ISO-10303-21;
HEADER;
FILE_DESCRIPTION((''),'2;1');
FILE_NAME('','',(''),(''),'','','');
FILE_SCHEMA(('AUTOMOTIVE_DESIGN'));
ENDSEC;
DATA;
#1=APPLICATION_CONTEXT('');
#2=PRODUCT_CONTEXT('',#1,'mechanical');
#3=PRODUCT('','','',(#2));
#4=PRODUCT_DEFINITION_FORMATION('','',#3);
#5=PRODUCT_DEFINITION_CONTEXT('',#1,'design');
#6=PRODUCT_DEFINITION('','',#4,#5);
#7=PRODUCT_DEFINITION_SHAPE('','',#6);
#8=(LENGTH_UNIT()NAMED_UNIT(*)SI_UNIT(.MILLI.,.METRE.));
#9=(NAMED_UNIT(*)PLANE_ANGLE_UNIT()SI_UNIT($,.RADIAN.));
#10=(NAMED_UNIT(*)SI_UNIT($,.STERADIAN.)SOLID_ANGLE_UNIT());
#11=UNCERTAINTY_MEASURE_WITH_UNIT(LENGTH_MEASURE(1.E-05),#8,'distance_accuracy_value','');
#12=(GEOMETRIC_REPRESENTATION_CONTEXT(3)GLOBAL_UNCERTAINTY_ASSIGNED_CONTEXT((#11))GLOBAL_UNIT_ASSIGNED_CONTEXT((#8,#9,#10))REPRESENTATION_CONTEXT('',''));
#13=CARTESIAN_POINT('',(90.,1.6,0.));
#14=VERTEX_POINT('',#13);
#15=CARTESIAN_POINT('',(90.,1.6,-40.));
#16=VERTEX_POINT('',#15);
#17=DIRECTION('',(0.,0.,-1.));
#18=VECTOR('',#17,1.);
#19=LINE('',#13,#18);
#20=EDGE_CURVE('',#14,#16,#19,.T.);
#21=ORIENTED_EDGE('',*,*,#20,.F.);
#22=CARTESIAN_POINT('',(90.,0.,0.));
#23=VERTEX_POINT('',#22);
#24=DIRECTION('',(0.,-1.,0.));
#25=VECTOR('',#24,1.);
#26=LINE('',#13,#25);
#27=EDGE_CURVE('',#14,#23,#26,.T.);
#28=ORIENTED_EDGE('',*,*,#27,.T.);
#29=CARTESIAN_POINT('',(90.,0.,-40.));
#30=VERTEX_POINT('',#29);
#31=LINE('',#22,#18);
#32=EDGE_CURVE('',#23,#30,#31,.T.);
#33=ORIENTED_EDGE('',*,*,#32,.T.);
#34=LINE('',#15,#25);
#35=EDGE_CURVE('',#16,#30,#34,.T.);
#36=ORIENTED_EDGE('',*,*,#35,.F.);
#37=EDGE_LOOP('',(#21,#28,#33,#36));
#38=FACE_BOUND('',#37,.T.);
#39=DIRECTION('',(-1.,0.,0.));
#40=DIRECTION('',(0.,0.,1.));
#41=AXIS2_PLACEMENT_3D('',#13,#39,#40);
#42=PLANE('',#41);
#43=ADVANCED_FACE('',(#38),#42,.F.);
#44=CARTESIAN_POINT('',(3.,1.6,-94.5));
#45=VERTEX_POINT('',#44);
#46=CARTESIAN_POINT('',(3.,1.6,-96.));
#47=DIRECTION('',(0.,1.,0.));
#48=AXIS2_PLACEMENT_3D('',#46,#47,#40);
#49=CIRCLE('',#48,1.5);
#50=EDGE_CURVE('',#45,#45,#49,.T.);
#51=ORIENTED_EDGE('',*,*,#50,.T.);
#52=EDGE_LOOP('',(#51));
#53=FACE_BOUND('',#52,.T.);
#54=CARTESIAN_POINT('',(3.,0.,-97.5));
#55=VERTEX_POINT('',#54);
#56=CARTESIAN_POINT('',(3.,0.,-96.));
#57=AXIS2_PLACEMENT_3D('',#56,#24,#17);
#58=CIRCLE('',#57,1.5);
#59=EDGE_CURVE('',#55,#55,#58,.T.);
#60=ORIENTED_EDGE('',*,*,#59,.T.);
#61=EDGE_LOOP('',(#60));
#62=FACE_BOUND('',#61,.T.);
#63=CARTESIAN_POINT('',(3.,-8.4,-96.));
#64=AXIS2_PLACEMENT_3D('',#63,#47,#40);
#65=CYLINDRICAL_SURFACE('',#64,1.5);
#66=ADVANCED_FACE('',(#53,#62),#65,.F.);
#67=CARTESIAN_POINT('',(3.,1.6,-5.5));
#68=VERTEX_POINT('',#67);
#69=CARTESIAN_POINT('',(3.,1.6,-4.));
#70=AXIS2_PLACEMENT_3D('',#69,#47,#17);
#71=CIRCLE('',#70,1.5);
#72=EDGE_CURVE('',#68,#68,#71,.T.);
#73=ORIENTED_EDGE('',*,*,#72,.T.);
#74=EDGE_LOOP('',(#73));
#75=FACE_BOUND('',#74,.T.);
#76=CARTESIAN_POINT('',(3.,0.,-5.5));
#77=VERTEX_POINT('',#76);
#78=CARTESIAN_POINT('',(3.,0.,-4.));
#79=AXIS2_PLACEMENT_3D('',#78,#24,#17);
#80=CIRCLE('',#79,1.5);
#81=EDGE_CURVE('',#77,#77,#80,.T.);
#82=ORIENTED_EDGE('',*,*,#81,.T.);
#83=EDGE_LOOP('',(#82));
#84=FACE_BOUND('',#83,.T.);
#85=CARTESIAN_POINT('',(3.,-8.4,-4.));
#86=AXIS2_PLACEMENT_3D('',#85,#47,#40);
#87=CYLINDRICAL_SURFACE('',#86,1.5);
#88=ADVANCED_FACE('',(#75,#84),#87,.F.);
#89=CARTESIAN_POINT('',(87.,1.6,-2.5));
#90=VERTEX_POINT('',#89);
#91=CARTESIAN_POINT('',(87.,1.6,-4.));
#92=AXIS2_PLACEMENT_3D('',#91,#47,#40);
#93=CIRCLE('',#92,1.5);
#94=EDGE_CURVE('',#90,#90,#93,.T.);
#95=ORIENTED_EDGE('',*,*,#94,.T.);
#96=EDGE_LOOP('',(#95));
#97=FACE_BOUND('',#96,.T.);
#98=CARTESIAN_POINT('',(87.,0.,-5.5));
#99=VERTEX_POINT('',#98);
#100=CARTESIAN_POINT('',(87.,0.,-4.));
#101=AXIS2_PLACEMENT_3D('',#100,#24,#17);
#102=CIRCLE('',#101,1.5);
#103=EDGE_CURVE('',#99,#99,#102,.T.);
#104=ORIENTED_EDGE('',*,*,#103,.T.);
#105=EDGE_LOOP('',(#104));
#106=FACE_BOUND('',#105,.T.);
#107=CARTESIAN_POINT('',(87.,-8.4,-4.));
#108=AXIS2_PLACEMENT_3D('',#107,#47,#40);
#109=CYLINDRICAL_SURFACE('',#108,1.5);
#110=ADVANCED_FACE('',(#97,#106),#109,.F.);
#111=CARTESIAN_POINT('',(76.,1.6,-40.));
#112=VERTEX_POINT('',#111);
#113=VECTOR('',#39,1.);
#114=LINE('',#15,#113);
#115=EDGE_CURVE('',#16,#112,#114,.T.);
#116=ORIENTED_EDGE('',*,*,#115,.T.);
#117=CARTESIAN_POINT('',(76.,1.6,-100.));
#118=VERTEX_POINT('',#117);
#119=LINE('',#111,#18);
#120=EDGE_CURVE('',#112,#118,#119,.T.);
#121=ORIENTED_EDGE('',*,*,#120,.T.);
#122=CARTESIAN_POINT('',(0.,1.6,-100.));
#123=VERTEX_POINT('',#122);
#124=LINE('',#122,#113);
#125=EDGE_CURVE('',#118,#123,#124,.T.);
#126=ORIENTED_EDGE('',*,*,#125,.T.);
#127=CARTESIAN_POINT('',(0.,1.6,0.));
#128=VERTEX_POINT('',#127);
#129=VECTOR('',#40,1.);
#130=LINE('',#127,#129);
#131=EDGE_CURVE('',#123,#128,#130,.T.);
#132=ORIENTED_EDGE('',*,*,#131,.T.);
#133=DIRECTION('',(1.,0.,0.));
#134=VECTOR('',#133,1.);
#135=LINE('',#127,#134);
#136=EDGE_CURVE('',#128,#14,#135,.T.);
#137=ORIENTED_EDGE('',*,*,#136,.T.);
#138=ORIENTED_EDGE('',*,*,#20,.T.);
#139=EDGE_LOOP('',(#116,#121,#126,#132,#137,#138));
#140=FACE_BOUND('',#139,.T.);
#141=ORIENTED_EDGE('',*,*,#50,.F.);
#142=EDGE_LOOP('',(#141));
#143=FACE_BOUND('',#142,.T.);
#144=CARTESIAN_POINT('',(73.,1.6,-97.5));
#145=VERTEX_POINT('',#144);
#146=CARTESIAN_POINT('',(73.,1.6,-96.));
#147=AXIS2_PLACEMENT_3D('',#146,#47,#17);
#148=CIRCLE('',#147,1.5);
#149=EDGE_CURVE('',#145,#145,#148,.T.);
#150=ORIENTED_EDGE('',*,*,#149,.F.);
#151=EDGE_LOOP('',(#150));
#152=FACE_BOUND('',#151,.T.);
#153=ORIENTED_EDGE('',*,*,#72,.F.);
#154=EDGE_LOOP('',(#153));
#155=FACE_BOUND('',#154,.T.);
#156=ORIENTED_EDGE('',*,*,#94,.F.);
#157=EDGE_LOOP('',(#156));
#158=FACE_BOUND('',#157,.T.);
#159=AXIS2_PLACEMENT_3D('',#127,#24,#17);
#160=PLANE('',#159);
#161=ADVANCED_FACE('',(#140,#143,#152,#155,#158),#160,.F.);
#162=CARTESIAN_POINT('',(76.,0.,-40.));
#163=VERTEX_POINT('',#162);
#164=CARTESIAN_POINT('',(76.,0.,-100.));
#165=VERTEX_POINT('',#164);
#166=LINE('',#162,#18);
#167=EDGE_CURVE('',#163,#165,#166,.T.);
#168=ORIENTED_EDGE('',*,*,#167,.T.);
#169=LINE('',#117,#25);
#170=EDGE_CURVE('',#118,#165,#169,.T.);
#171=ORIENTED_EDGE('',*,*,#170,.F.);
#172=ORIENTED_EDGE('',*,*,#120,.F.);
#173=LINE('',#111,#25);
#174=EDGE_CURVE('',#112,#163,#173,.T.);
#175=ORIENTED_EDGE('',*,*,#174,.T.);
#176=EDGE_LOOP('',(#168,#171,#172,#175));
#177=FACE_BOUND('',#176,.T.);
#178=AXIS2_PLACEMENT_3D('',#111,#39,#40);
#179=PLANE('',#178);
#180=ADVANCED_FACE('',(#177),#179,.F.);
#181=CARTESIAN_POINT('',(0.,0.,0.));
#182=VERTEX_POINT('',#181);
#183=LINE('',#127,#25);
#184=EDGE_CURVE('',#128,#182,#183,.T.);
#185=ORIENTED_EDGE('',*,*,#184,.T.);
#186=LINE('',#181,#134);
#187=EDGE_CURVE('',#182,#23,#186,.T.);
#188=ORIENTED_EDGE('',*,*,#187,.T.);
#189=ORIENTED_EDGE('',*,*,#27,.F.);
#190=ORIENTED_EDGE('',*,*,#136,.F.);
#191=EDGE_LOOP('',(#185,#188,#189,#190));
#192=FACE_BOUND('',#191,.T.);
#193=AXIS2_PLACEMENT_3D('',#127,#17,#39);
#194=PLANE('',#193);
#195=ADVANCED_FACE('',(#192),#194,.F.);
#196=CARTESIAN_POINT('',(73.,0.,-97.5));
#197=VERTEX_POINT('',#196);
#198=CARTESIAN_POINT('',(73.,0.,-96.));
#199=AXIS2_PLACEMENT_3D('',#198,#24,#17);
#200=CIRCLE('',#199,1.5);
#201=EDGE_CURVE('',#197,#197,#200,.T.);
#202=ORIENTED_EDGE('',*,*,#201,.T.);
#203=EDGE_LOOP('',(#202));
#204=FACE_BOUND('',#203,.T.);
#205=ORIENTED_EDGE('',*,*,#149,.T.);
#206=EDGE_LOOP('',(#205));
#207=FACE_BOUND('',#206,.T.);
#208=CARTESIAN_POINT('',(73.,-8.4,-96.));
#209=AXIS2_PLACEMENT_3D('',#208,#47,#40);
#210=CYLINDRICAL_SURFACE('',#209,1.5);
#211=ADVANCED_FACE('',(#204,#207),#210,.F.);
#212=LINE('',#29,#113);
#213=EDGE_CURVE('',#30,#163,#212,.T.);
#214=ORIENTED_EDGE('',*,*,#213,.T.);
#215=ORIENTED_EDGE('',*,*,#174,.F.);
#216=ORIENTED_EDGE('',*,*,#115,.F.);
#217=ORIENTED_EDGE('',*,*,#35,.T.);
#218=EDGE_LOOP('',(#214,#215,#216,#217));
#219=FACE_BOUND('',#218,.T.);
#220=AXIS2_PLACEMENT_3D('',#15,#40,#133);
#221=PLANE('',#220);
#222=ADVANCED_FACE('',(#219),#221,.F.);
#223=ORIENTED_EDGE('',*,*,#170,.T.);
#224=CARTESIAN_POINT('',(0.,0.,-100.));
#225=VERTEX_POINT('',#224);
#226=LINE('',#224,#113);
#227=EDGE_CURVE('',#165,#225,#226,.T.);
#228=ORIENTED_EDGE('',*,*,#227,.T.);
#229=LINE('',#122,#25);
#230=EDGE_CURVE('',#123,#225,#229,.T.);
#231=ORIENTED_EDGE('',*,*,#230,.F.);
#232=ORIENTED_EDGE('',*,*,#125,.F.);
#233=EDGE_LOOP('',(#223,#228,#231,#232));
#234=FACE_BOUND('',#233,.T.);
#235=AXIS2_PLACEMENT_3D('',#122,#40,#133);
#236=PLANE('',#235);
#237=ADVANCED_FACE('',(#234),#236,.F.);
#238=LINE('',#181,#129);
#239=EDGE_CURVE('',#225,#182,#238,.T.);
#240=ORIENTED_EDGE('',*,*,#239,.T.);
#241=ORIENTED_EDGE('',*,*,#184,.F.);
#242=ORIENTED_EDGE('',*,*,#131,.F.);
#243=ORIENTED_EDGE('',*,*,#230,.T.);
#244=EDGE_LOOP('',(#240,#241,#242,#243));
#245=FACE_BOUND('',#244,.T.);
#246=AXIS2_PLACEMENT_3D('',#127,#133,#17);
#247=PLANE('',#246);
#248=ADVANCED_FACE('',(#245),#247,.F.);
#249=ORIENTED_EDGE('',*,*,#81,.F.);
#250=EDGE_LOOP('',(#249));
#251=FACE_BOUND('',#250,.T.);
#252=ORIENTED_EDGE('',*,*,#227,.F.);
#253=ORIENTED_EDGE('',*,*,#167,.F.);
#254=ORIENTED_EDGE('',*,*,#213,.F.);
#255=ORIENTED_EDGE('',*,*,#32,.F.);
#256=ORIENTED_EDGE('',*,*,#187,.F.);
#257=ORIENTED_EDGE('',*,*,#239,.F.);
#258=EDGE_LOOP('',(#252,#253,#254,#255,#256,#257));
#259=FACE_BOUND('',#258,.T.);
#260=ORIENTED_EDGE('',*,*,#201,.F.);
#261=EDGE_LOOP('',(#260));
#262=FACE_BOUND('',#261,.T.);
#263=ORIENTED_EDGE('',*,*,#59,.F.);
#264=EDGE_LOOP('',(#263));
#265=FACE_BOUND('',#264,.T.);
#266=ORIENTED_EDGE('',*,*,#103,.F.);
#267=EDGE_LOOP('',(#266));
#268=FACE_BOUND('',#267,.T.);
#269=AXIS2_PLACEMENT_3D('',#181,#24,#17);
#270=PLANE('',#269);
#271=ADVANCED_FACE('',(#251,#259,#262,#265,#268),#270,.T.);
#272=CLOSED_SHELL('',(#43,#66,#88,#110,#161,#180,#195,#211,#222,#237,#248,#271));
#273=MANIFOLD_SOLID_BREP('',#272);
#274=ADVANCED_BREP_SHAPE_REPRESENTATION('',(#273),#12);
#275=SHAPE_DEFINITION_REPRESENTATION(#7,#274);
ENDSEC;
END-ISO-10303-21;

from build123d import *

# Parameters (mm, degrees)
Y_KSEKLIK_EKSTR_ZYON1_DEPTH = 1.6
IZIM2_R                     = 1.5
KES_EKSTR_ZYON1_DEPTH       = 10


with BuildPart() as part:
    # Çizim1 → Yükseklik-Ekstrüzyon1 (new body)
    with BuildSketch(Plane(origin=(0, 0, 0), x_dir=(1, 0, 0), z_dir=(0, 1, 0))):
        Polygon((90, 0), (90, 40), (76, 40), (76, 100), (0, 100), (0, 0), align=None)
    extrude(amount=Y_KSEKLIK_EKSTR_ZYON1_DEPTH)

    # Çizim2 → Kes-Ekstrüzyon1 (cut)
    with BuildSketch(Plane(origin=(0, 1.6, 0), x_dir=(1, 0, 0), z_dir=(0, 1, 0))):
        with Locations(Location((3, 96, 0), (0, 0, 270))):
            Circle(IZIM2_R)
        with Locations(Location((3, 4, 0), (0, 0, 90))):
            Circle(IZIM2_R)
        with Locations(Location((73, 96, 0), (0, 0, 90))):
            Circle(IZIM2_R)
        with Locations(Location((87, 4, 0), (0, 0, 270))):
            Circle(IZIM2_R)
    extrude(amount=-KES_EKSTR_ZYON1_DEPTH, mode=Mode.SUBTRACT)


solid = part.part
